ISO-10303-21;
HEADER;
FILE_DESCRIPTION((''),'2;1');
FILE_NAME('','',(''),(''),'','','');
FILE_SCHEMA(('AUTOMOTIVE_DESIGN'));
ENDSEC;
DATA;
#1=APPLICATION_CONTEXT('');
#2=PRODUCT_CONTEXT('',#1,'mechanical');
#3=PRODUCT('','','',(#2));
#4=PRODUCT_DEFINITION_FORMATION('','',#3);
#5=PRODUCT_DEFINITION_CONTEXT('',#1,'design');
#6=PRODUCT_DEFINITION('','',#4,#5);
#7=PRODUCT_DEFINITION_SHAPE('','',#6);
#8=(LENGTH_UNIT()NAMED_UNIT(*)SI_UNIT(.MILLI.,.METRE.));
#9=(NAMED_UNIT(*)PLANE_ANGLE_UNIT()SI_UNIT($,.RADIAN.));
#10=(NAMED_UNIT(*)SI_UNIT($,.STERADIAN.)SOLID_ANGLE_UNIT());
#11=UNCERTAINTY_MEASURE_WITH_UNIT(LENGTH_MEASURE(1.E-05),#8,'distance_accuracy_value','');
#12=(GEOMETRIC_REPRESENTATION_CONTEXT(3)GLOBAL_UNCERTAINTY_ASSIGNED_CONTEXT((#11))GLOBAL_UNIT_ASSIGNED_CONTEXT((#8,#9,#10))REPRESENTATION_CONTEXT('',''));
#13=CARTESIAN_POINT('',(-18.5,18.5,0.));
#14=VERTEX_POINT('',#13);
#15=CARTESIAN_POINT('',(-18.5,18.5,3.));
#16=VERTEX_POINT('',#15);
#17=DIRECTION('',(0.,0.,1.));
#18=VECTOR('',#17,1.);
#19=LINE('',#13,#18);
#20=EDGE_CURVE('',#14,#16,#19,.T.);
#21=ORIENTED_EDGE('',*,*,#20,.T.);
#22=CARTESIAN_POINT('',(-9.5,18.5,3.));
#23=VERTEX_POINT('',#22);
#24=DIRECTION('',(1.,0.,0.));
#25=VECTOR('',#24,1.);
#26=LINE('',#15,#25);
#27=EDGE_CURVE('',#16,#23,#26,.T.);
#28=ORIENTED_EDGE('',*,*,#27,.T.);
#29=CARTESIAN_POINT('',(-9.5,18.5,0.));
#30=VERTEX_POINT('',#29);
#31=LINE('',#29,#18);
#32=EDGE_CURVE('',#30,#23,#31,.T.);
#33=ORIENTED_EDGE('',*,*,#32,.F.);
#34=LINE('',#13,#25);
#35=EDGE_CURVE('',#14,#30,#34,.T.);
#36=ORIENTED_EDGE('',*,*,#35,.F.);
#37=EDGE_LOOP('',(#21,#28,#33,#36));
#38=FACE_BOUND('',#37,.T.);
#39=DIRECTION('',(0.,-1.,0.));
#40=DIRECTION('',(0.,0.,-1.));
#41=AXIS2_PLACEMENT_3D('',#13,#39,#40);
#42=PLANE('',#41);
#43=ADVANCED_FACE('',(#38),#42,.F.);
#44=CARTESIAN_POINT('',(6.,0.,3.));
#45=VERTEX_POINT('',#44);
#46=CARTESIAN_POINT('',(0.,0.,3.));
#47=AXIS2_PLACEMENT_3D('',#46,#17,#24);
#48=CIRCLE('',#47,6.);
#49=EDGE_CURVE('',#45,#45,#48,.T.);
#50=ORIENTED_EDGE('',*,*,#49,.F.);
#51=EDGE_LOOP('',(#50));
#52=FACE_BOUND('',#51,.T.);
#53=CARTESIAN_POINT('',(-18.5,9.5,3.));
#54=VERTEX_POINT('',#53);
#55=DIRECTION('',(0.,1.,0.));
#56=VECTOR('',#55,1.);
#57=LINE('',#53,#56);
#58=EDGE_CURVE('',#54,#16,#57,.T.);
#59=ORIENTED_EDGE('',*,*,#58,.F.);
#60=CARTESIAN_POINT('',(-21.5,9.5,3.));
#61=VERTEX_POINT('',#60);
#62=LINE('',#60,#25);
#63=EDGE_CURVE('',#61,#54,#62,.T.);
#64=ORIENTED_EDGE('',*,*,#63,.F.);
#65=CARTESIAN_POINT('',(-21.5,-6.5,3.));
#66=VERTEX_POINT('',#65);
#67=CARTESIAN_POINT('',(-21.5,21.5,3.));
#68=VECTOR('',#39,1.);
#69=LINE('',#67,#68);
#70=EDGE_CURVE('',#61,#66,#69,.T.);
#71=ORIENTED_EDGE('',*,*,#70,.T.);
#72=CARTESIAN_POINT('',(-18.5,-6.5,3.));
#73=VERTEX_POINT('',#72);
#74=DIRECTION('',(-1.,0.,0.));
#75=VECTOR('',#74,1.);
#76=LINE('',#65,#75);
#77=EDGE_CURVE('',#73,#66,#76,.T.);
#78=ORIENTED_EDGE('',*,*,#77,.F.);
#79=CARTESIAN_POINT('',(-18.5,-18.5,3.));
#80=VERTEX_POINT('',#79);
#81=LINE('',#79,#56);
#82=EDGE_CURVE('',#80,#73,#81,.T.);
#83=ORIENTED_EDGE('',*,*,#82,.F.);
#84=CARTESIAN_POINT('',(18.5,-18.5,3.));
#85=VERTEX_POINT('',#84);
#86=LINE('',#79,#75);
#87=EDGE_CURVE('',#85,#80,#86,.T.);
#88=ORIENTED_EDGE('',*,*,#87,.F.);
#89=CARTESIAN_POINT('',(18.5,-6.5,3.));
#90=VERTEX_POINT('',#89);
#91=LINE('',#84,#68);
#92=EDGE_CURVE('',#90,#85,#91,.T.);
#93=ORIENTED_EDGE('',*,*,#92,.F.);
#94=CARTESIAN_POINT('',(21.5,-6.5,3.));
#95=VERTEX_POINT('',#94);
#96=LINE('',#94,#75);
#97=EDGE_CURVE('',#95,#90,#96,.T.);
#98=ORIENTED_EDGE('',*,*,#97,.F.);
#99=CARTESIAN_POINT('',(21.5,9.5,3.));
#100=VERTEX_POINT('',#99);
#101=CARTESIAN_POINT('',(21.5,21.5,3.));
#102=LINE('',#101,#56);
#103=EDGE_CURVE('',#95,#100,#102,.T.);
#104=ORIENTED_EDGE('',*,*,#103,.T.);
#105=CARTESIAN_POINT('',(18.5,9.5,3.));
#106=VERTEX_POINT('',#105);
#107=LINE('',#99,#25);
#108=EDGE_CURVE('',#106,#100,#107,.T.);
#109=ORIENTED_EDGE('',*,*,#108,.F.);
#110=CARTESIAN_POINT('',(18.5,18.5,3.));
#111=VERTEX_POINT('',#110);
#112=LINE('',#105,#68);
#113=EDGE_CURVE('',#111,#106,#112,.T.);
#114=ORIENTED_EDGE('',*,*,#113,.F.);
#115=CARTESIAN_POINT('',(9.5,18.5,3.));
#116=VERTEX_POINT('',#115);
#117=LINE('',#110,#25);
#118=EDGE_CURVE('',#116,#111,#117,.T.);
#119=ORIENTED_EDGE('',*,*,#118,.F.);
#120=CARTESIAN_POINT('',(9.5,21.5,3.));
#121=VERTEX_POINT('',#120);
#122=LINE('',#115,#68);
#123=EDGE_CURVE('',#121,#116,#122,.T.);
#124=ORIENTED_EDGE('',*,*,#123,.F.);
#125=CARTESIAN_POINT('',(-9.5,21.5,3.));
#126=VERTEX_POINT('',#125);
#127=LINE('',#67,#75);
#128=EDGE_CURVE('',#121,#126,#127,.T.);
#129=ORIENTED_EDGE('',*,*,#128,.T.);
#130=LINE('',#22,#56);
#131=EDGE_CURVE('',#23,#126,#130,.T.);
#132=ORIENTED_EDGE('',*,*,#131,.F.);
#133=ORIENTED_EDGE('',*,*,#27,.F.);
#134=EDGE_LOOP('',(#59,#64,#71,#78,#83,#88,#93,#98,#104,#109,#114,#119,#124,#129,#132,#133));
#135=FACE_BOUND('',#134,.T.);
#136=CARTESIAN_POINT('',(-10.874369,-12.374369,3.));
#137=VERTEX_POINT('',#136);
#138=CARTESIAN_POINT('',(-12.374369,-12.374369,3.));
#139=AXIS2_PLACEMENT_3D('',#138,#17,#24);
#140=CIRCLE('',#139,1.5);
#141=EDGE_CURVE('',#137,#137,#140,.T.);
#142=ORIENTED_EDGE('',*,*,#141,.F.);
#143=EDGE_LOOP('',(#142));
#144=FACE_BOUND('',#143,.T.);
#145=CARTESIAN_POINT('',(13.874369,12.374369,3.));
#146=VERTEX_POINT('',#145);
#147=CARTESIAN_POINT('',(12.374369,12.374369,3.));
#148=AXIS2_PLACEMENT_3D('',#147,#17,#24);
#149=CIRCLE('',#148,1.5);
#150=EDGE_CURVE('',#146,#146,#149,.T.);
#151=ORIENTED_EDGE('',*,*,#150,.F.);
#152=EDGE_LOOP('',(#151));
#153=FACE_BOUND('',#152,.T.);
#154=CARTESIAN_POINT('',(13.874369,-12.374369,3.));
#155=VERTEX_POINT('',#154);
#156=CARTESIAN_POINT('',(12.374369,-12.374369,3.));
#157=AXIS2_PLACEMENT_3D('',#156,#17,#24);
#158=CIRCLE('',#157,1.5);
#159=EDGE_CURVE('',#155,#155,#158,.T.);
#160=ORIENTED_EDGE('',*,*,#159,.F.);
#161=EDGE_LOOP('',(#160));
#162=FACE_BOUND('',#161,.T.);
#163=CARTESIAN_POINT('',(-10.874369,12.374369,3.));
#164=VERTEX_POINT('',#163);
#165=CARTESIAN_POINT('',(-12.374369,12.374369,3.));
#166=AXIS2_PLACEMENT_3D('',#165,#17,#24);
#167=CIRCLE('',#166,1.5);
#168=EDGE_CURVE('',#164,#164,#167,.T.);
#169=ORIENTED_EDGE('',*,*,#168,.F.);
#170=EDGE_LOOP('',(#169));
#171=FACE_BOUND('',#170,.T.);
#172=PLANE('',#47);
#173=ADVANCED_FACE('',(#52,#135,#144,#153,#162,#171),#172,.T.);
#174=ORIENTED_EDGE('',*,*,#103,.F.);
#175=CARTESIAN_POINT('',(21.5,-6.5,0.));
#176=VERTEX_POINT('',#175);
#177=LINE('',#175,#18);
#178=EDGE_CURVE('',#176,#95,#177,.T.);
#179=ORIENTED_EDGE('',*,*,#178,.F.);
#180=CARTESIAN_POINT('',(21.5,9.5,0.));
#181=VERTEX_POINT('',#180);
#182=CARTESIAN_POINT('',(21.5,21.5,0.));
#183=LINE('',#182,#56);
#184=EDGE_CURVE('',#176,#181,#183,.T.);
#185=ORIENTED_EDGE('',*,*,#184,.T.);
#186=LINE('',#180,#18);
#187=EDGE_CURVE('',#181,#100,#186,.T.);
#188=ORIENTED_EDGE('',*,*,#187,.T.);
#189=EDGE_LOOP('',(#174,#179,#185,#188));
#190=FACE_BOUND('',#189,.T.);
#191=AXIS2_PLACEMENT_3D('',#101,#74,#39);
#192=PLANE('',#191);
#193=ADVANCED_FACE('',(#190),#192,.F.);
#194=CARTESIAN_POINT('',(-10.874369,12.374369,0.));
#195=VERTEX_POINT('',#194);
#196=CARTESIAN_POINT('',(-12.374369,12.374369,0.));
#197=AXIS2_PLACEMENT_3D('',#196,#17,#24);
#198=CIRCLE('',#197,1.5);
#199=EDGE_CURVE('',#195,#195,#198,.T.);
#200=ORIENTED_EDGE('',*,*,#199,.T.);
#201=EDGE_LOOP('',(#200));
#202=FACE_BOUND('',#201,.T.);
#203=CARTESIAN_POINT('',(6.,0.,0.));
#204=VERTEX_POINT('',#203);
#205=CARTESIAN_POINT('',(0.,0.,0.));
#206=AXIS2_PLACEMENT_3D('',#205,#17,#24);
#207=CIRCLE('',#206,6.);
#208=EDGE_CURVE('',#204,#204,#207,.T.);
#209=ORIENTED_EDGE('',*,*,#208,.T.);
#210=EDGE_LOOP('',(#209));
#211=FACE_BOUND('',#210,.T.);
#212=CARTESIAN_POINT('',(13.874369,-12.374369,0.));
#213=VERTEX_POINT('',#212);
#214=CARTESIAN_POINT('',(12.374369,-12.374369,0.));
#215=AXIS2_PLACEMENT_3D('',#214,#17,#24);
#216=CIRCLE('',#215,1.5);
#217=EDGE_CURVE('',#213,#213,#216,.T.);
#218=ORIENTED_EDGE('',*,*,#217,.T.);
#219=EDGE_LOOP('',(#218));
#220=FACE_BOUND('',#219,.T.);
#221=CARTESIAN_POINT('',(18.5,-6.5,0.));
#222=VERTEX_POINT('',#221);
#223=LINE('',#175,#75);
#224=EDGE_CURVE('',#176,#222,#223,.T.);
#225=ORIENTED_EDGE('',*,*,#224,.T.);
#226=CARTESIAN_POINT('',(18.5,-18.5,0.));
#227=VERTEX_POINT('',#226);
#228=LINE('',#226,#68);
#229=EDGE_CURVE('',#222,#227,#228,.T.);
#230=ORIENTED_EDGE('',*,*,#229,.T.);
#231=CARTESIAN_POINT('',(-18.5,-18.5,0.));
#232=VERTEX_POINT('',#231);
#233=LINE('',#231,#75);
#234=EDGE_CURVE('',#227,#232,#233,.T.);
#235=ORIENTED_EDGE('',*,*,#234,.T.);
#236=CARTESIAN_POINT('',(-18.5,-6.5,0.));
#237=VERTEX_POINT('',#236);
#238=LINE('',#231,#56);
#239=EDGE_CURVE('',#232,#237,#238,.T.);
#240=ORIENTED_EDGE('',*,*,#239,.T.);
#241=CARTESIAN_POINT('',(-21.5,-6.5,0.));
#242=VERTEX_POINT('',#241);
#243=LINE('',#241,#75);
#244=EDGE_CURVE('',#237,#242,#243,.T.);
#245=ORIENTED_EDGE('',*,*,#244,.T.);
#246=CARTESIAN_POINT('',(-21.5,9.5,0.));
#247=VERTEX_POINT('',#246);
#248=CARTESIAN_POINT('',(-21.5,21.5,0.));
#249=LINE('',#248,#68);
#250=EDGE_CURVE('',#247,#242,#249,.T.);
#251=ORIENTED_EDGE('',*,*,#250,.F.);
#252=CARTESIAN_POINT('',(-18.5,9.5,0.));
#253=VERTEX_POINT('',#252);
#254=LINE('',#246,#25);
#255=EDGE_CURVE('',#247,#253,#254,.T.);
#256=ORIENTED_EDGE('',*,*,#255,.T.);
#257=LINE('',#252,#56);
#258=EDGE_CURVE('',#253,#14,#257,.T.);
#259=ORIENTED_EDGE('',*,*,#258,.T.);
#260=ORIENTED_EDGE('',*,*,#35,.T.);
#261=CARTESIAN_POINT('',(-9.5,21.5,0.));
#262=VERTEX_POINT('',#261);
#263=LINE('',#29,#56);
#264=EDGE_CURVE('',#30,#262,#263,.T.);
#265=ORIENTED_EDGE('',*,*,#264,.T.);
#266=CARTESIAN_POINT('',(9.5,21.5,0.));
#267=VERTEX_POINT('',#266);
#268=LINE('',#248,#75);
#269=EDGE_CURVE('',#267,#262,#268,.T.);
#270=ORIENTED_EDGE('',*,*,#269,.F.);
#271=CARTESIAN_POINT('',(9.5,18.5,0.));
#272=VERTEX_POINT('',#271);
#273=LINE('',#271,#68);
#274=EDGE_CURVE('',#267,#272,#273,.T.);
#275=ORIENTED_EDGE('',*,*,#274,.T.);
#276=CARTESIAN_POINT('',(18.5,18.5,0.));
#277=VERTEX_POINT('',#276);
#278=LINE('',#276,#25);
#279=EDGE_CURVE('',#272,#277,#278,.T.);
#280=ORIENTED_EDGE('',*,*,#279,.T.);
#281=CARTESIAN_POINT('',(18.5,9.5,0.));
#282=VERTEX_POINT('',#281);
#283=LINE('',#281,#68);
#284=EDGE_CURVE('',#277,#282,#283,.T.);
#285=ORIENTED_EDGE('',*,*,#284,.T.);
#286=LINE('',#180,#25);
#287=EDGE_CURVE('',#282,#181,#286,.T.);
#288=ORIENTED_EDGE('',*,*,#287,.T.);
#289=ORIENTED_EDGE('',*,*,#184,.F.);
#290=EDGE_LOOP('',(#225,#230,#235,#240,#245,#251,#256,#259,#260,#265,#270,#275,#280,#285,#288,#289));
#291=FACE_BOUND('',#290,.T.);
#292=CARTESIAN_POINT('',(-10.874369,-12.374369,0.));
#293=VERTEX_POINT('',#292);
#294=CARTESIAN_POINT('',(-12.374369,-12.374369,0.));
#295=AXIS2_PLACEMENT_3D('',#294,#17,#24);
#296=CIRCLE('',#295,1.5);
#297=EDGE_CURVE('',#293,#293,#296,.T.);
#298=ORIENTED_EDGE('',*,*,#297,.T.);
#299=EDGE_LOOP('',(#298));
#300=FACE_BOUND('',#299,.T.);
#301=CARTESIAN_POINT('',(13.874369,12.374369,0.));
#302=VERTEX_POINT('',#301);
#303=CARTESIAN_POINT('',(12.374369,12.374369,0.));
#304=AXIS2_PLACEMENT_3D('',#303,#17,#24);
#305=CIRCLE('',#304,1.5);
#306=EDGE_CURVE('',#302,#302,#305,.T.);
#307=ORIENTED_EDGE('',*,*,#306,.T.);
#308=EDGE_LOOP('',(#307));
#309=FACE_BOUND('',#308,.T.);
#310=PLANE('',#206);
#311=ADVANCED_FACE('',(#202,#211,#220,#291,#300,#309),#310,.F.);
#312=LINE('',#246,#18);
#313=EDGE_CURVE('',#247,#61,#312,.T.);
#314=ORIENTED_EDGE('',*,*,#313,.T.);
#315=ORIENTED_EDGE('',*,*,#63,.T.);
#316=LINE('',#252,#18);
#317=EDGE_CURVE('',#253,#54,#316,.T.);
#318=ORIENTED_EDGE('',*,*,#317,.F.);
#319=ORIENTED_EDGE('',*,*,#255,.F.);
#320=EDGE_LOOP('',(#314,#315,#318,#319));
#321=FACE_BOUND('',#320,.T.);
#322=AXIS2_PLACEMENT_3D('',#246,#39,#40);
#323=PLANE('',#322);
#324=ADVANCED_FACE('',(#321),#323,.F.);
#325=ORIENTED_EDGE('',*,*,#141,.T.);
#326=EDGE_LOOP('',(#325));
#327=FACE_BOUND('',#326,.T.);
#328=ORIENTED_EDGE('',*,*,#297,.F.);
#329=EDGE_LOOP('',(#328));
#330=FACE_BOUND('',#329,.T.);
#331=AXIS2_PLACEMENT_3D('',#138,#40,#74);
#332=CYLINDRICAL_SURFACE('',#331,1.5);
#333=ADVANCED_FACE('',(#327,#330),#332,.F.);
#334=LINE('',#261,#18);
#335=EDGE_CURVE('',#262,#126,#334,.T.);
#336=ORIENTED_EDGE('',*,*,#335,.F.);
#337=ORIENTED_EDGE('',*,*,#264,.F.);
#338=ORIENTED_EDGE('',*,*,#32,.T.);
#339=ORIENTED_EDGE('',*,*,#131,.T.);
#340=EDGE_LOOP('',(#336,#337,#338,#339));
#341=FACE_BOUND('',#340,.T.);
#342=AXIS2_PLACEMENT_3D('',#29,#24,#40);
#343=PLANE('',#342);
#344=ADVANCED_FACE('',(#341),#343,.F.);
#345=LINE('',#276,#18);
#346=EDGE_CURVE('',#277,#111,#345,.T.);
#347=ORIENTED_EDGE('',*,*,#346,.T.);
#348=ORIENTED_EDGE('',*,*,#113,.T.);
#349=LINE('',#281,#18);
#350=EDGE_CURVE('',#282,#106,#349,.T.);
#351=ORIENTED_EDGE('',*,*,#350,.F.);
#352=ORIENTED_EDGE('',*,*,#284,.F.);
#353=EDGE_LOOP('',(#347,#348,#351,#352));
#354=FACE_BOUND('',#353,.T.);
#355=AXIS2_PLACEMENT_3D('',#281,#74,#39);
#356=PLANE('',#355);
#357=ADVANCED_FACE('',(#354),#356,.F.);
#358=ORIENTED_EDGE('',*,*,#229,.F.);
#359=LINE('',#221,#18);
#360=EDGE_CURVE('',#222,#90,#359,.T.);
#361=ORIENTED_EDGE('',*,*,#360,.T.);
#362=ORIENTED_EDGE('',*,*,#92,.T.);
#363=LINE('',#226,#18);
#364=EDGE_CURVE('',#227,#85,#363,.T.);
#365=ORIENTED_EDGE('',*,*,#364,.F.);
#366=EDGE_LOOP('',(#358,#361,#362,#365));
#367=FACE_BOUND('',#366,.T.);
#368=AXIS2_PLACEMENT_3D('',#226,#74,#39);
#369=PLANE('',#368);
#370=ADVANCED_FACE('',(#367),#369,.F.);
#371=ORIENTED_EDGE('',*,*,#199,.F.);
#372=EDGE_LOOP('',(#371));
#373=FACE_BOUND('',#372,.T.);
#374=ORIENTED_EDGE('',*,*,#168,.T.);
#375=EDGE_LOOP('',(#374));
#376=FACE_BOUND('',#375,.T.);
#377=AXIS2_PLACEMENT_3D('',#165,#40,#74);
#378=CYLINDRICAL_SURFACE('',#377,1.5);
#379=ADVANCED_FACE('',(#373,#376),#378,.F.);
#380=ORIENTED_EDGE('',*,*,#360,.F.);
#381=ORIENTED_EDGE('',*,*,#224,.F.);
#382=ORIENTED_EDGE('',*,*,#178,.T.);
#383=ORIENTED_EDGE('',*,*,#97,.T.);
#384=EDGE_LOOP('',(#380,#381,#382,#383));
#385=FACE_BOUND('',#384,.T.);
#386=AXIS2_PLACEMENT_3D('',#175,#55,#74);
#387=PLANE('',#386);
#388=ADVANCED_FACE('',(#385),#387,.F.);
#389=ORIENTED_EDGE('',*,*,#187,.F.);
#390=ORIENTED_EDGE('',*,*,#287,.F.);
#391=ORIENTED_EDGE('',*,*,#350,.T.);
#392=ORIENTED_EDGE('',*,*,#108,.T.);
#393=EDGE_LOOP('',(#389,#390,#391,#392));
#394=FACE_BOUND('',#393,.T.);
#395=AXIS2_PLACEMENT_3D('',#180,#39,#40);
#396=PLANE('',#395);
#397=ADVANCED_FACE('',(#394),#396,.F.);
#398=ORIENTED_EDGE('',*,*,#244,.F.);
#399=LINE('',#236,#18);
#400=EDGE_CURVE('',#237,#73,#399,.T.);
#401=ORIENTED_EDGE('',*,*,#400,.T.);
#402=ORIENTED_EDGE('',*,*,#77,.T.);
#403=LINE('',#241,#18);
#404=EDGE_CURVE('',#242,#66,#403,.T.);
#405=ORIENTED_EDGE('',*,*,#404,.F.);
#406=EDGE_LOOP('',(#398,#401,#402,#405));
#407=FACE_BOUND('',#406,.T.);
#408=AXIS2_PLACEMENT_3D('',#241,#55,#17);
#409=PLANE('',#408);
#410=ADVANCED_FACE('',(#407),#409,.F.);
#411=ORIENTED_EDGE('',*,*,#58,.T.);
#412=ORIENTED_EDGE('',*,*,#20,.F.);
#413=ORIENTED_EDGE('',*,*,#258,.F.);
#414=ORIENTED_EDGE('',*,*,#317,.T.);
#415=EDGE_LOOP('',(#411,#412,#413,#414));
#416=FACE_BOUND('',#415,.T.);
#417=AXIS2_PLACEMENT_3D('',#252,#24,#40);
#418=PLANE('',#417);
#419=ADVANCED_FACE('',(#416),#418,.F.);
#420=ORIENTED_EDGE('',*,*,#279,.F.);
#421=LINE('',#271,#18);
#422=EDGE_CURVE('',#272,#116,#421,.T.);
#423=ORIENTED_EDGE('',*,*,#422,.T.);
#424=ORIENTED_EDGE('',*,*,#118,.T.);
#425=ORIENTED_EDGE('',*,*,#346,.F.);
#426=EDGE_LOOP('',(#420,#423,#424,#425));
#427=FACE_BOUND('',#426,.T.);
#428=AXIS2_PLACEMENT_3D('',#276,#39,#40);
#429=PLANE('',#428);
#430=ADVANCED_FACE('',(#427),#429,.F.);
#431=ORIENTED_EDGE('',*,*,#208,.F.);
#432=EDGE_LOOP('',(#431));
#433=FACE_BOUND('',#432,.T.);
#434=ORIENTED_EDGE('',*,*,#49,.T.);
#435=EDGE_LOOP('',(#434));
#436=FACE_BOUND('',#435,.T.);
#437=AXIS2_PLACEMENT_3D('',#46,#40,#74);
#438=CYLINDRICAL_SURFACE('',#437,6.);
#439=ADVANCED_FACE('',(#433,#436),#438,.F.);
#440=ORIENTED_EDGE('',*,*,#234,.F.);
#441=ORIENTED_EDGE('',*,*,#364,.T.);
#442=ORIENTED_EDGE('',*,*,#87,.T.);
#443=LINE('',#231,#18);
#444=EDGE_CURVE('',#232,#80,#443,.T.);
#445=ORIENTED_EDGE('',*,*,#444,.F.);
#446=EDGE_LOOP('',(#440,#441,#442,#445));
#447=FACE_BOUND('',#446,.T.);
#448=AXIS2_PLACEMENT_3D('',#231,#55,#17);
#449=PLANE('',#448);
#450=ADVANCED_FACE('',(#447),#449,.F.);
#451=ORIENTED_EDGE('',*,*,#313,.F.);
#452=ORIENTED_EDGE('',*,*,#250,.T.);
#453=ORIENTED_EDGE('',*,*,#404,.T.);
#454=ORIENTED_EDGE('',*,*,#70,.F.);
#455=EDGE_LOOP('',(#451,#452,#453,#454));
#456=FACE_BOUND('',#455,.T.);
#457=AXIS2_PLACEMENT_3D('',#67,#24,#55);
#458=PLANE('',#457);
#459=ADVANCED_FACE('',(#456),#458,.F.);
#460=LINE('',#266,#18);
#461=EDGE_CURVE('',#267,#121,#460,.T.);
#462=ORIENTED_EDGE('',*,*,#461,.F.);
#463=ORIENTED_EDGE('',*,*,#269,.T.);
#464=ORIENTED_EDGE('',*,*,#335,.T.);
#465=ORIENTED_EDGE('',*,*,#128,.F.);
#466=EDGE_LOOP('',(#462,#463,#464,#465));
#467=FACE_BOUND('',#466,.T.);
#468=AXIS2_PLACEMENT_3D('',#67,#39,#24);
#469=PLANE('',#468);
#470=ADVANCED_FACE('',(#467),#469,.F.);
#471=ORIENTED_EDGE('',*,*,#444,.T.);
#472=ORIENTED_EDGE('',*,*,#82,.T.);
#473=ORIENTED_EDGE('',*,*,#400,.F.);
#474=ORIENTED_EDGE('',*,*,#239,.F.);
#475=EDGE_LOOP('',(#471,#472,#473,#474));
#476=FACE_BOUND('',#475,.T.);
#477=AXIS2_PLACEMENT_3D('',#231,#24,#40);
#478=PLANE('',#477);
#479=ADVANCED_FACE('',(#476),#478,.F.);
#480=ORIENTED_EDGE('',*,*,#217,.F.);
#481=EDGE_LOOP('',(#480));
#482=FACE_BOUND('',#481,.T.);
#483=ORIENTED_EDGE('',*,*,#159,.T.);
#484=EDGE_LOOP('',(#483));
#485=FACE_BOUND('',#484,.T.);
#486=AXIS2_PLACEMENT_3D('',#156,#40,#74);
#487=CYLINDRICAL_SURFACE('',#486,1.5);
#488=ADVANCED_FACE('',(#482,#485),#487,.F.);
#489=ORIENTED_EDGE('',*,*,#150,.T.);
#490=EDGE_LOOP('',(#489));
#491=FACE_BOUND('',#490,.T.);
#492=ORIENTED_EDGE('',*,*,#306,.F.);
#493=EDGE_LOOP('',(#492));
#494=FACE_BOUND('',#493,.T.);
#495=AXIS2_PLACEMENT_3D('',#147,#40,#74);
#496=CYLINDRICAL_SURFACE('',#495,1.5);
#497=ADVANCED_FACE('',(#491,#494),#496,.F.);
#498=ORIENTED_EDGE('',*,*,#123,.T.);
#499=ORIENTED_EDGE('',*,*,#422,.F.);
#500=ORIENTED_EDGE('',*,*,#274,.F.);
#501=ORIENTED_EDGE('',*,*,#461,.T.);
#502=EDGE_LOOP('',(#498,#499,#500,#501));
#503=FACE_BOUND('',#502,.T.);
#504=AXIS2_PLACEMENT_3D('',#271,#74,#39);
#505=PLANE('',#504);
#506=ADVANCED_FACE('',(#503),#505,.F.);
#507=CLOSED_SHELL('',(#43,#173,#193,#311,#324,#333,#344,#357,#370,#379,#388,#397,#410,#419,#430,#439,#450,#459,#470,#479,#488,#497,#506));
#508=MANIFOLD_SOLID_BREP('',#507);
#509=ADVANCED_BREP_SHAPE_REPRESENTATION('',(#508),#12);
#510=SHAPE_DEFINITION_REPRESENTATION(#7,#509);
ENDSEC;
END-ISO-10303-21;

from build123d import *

# Parameters (mm, degrees)
SKETCH1_W           = 43
SKETCH1_H           = 43
SKETCH1_R           = 1.5
SKETCH1_R_2         = 6
BOSS_EXTRUDE1_DEPTH = 3
CUT_EXTRUDE1_DEPTH  = 3


with BuildPart() as part:
    # Sketch1 → Boss-Extrude1 (new body)
    with BuildSketch(Plane.XY):
        Rectangle(SKETCH1_W, SKETCH1_H)
        with Locations((-12.374368671, 12.374368671)):
            Circle(SKETCH1_R, mode=Mode.SUBTRACT)
        with Locations((12.374368671, -12.374368671)):
            Circle(SKETCH1_R, mode=Mode.SUBTRACT)
        with Locations((12.374368671, 12.374368671)):
            Circle(SKETCH1_R, mode=Mode.SUBTRACT)
        with Locations((-12.374368671, -12.374368671)):
            Circle(SKETCH1_R, mode=Mode.SUBTRACT)
        Circle(SKETCH1_R_2, mode=Mode.SUBTRACT)
    extrude(amount=BOSS_EXTRUDE1_DEPTH)

    # Sketch2 → Cut-Extrude1 (cut)
    with BuildSketch(Plane.XY.offset(3)):
        Polygon((-21.5, -21.5), (21.5, -21.5), (21.5, -18.5), (21.5, -6.5), (18.5, -6.5), (18.5, -18.5), (-18.5, -18.5), (-18.5, -6.5), (-21.5, -6.5), (-21.5, -18.5), align=None)
        Polygon((-21.5, 9.5), (-18.5, 9.5), (-18.5, 18.5), (-9.5, 18.5), (-9.5, 21.5), (-21.5, 21.5), align=None)
        Polygon((21.5, 9.5), (21.5, 21.5), (9.5, 21.5), (9.5, 18.5), (18.5, 18.5), (18.5, 9.5), align=None)
    extrude(amount=-CUT_EXTRUDE1_DEPTH, mode=Mode.SUBTRACT)


solid = part.part
